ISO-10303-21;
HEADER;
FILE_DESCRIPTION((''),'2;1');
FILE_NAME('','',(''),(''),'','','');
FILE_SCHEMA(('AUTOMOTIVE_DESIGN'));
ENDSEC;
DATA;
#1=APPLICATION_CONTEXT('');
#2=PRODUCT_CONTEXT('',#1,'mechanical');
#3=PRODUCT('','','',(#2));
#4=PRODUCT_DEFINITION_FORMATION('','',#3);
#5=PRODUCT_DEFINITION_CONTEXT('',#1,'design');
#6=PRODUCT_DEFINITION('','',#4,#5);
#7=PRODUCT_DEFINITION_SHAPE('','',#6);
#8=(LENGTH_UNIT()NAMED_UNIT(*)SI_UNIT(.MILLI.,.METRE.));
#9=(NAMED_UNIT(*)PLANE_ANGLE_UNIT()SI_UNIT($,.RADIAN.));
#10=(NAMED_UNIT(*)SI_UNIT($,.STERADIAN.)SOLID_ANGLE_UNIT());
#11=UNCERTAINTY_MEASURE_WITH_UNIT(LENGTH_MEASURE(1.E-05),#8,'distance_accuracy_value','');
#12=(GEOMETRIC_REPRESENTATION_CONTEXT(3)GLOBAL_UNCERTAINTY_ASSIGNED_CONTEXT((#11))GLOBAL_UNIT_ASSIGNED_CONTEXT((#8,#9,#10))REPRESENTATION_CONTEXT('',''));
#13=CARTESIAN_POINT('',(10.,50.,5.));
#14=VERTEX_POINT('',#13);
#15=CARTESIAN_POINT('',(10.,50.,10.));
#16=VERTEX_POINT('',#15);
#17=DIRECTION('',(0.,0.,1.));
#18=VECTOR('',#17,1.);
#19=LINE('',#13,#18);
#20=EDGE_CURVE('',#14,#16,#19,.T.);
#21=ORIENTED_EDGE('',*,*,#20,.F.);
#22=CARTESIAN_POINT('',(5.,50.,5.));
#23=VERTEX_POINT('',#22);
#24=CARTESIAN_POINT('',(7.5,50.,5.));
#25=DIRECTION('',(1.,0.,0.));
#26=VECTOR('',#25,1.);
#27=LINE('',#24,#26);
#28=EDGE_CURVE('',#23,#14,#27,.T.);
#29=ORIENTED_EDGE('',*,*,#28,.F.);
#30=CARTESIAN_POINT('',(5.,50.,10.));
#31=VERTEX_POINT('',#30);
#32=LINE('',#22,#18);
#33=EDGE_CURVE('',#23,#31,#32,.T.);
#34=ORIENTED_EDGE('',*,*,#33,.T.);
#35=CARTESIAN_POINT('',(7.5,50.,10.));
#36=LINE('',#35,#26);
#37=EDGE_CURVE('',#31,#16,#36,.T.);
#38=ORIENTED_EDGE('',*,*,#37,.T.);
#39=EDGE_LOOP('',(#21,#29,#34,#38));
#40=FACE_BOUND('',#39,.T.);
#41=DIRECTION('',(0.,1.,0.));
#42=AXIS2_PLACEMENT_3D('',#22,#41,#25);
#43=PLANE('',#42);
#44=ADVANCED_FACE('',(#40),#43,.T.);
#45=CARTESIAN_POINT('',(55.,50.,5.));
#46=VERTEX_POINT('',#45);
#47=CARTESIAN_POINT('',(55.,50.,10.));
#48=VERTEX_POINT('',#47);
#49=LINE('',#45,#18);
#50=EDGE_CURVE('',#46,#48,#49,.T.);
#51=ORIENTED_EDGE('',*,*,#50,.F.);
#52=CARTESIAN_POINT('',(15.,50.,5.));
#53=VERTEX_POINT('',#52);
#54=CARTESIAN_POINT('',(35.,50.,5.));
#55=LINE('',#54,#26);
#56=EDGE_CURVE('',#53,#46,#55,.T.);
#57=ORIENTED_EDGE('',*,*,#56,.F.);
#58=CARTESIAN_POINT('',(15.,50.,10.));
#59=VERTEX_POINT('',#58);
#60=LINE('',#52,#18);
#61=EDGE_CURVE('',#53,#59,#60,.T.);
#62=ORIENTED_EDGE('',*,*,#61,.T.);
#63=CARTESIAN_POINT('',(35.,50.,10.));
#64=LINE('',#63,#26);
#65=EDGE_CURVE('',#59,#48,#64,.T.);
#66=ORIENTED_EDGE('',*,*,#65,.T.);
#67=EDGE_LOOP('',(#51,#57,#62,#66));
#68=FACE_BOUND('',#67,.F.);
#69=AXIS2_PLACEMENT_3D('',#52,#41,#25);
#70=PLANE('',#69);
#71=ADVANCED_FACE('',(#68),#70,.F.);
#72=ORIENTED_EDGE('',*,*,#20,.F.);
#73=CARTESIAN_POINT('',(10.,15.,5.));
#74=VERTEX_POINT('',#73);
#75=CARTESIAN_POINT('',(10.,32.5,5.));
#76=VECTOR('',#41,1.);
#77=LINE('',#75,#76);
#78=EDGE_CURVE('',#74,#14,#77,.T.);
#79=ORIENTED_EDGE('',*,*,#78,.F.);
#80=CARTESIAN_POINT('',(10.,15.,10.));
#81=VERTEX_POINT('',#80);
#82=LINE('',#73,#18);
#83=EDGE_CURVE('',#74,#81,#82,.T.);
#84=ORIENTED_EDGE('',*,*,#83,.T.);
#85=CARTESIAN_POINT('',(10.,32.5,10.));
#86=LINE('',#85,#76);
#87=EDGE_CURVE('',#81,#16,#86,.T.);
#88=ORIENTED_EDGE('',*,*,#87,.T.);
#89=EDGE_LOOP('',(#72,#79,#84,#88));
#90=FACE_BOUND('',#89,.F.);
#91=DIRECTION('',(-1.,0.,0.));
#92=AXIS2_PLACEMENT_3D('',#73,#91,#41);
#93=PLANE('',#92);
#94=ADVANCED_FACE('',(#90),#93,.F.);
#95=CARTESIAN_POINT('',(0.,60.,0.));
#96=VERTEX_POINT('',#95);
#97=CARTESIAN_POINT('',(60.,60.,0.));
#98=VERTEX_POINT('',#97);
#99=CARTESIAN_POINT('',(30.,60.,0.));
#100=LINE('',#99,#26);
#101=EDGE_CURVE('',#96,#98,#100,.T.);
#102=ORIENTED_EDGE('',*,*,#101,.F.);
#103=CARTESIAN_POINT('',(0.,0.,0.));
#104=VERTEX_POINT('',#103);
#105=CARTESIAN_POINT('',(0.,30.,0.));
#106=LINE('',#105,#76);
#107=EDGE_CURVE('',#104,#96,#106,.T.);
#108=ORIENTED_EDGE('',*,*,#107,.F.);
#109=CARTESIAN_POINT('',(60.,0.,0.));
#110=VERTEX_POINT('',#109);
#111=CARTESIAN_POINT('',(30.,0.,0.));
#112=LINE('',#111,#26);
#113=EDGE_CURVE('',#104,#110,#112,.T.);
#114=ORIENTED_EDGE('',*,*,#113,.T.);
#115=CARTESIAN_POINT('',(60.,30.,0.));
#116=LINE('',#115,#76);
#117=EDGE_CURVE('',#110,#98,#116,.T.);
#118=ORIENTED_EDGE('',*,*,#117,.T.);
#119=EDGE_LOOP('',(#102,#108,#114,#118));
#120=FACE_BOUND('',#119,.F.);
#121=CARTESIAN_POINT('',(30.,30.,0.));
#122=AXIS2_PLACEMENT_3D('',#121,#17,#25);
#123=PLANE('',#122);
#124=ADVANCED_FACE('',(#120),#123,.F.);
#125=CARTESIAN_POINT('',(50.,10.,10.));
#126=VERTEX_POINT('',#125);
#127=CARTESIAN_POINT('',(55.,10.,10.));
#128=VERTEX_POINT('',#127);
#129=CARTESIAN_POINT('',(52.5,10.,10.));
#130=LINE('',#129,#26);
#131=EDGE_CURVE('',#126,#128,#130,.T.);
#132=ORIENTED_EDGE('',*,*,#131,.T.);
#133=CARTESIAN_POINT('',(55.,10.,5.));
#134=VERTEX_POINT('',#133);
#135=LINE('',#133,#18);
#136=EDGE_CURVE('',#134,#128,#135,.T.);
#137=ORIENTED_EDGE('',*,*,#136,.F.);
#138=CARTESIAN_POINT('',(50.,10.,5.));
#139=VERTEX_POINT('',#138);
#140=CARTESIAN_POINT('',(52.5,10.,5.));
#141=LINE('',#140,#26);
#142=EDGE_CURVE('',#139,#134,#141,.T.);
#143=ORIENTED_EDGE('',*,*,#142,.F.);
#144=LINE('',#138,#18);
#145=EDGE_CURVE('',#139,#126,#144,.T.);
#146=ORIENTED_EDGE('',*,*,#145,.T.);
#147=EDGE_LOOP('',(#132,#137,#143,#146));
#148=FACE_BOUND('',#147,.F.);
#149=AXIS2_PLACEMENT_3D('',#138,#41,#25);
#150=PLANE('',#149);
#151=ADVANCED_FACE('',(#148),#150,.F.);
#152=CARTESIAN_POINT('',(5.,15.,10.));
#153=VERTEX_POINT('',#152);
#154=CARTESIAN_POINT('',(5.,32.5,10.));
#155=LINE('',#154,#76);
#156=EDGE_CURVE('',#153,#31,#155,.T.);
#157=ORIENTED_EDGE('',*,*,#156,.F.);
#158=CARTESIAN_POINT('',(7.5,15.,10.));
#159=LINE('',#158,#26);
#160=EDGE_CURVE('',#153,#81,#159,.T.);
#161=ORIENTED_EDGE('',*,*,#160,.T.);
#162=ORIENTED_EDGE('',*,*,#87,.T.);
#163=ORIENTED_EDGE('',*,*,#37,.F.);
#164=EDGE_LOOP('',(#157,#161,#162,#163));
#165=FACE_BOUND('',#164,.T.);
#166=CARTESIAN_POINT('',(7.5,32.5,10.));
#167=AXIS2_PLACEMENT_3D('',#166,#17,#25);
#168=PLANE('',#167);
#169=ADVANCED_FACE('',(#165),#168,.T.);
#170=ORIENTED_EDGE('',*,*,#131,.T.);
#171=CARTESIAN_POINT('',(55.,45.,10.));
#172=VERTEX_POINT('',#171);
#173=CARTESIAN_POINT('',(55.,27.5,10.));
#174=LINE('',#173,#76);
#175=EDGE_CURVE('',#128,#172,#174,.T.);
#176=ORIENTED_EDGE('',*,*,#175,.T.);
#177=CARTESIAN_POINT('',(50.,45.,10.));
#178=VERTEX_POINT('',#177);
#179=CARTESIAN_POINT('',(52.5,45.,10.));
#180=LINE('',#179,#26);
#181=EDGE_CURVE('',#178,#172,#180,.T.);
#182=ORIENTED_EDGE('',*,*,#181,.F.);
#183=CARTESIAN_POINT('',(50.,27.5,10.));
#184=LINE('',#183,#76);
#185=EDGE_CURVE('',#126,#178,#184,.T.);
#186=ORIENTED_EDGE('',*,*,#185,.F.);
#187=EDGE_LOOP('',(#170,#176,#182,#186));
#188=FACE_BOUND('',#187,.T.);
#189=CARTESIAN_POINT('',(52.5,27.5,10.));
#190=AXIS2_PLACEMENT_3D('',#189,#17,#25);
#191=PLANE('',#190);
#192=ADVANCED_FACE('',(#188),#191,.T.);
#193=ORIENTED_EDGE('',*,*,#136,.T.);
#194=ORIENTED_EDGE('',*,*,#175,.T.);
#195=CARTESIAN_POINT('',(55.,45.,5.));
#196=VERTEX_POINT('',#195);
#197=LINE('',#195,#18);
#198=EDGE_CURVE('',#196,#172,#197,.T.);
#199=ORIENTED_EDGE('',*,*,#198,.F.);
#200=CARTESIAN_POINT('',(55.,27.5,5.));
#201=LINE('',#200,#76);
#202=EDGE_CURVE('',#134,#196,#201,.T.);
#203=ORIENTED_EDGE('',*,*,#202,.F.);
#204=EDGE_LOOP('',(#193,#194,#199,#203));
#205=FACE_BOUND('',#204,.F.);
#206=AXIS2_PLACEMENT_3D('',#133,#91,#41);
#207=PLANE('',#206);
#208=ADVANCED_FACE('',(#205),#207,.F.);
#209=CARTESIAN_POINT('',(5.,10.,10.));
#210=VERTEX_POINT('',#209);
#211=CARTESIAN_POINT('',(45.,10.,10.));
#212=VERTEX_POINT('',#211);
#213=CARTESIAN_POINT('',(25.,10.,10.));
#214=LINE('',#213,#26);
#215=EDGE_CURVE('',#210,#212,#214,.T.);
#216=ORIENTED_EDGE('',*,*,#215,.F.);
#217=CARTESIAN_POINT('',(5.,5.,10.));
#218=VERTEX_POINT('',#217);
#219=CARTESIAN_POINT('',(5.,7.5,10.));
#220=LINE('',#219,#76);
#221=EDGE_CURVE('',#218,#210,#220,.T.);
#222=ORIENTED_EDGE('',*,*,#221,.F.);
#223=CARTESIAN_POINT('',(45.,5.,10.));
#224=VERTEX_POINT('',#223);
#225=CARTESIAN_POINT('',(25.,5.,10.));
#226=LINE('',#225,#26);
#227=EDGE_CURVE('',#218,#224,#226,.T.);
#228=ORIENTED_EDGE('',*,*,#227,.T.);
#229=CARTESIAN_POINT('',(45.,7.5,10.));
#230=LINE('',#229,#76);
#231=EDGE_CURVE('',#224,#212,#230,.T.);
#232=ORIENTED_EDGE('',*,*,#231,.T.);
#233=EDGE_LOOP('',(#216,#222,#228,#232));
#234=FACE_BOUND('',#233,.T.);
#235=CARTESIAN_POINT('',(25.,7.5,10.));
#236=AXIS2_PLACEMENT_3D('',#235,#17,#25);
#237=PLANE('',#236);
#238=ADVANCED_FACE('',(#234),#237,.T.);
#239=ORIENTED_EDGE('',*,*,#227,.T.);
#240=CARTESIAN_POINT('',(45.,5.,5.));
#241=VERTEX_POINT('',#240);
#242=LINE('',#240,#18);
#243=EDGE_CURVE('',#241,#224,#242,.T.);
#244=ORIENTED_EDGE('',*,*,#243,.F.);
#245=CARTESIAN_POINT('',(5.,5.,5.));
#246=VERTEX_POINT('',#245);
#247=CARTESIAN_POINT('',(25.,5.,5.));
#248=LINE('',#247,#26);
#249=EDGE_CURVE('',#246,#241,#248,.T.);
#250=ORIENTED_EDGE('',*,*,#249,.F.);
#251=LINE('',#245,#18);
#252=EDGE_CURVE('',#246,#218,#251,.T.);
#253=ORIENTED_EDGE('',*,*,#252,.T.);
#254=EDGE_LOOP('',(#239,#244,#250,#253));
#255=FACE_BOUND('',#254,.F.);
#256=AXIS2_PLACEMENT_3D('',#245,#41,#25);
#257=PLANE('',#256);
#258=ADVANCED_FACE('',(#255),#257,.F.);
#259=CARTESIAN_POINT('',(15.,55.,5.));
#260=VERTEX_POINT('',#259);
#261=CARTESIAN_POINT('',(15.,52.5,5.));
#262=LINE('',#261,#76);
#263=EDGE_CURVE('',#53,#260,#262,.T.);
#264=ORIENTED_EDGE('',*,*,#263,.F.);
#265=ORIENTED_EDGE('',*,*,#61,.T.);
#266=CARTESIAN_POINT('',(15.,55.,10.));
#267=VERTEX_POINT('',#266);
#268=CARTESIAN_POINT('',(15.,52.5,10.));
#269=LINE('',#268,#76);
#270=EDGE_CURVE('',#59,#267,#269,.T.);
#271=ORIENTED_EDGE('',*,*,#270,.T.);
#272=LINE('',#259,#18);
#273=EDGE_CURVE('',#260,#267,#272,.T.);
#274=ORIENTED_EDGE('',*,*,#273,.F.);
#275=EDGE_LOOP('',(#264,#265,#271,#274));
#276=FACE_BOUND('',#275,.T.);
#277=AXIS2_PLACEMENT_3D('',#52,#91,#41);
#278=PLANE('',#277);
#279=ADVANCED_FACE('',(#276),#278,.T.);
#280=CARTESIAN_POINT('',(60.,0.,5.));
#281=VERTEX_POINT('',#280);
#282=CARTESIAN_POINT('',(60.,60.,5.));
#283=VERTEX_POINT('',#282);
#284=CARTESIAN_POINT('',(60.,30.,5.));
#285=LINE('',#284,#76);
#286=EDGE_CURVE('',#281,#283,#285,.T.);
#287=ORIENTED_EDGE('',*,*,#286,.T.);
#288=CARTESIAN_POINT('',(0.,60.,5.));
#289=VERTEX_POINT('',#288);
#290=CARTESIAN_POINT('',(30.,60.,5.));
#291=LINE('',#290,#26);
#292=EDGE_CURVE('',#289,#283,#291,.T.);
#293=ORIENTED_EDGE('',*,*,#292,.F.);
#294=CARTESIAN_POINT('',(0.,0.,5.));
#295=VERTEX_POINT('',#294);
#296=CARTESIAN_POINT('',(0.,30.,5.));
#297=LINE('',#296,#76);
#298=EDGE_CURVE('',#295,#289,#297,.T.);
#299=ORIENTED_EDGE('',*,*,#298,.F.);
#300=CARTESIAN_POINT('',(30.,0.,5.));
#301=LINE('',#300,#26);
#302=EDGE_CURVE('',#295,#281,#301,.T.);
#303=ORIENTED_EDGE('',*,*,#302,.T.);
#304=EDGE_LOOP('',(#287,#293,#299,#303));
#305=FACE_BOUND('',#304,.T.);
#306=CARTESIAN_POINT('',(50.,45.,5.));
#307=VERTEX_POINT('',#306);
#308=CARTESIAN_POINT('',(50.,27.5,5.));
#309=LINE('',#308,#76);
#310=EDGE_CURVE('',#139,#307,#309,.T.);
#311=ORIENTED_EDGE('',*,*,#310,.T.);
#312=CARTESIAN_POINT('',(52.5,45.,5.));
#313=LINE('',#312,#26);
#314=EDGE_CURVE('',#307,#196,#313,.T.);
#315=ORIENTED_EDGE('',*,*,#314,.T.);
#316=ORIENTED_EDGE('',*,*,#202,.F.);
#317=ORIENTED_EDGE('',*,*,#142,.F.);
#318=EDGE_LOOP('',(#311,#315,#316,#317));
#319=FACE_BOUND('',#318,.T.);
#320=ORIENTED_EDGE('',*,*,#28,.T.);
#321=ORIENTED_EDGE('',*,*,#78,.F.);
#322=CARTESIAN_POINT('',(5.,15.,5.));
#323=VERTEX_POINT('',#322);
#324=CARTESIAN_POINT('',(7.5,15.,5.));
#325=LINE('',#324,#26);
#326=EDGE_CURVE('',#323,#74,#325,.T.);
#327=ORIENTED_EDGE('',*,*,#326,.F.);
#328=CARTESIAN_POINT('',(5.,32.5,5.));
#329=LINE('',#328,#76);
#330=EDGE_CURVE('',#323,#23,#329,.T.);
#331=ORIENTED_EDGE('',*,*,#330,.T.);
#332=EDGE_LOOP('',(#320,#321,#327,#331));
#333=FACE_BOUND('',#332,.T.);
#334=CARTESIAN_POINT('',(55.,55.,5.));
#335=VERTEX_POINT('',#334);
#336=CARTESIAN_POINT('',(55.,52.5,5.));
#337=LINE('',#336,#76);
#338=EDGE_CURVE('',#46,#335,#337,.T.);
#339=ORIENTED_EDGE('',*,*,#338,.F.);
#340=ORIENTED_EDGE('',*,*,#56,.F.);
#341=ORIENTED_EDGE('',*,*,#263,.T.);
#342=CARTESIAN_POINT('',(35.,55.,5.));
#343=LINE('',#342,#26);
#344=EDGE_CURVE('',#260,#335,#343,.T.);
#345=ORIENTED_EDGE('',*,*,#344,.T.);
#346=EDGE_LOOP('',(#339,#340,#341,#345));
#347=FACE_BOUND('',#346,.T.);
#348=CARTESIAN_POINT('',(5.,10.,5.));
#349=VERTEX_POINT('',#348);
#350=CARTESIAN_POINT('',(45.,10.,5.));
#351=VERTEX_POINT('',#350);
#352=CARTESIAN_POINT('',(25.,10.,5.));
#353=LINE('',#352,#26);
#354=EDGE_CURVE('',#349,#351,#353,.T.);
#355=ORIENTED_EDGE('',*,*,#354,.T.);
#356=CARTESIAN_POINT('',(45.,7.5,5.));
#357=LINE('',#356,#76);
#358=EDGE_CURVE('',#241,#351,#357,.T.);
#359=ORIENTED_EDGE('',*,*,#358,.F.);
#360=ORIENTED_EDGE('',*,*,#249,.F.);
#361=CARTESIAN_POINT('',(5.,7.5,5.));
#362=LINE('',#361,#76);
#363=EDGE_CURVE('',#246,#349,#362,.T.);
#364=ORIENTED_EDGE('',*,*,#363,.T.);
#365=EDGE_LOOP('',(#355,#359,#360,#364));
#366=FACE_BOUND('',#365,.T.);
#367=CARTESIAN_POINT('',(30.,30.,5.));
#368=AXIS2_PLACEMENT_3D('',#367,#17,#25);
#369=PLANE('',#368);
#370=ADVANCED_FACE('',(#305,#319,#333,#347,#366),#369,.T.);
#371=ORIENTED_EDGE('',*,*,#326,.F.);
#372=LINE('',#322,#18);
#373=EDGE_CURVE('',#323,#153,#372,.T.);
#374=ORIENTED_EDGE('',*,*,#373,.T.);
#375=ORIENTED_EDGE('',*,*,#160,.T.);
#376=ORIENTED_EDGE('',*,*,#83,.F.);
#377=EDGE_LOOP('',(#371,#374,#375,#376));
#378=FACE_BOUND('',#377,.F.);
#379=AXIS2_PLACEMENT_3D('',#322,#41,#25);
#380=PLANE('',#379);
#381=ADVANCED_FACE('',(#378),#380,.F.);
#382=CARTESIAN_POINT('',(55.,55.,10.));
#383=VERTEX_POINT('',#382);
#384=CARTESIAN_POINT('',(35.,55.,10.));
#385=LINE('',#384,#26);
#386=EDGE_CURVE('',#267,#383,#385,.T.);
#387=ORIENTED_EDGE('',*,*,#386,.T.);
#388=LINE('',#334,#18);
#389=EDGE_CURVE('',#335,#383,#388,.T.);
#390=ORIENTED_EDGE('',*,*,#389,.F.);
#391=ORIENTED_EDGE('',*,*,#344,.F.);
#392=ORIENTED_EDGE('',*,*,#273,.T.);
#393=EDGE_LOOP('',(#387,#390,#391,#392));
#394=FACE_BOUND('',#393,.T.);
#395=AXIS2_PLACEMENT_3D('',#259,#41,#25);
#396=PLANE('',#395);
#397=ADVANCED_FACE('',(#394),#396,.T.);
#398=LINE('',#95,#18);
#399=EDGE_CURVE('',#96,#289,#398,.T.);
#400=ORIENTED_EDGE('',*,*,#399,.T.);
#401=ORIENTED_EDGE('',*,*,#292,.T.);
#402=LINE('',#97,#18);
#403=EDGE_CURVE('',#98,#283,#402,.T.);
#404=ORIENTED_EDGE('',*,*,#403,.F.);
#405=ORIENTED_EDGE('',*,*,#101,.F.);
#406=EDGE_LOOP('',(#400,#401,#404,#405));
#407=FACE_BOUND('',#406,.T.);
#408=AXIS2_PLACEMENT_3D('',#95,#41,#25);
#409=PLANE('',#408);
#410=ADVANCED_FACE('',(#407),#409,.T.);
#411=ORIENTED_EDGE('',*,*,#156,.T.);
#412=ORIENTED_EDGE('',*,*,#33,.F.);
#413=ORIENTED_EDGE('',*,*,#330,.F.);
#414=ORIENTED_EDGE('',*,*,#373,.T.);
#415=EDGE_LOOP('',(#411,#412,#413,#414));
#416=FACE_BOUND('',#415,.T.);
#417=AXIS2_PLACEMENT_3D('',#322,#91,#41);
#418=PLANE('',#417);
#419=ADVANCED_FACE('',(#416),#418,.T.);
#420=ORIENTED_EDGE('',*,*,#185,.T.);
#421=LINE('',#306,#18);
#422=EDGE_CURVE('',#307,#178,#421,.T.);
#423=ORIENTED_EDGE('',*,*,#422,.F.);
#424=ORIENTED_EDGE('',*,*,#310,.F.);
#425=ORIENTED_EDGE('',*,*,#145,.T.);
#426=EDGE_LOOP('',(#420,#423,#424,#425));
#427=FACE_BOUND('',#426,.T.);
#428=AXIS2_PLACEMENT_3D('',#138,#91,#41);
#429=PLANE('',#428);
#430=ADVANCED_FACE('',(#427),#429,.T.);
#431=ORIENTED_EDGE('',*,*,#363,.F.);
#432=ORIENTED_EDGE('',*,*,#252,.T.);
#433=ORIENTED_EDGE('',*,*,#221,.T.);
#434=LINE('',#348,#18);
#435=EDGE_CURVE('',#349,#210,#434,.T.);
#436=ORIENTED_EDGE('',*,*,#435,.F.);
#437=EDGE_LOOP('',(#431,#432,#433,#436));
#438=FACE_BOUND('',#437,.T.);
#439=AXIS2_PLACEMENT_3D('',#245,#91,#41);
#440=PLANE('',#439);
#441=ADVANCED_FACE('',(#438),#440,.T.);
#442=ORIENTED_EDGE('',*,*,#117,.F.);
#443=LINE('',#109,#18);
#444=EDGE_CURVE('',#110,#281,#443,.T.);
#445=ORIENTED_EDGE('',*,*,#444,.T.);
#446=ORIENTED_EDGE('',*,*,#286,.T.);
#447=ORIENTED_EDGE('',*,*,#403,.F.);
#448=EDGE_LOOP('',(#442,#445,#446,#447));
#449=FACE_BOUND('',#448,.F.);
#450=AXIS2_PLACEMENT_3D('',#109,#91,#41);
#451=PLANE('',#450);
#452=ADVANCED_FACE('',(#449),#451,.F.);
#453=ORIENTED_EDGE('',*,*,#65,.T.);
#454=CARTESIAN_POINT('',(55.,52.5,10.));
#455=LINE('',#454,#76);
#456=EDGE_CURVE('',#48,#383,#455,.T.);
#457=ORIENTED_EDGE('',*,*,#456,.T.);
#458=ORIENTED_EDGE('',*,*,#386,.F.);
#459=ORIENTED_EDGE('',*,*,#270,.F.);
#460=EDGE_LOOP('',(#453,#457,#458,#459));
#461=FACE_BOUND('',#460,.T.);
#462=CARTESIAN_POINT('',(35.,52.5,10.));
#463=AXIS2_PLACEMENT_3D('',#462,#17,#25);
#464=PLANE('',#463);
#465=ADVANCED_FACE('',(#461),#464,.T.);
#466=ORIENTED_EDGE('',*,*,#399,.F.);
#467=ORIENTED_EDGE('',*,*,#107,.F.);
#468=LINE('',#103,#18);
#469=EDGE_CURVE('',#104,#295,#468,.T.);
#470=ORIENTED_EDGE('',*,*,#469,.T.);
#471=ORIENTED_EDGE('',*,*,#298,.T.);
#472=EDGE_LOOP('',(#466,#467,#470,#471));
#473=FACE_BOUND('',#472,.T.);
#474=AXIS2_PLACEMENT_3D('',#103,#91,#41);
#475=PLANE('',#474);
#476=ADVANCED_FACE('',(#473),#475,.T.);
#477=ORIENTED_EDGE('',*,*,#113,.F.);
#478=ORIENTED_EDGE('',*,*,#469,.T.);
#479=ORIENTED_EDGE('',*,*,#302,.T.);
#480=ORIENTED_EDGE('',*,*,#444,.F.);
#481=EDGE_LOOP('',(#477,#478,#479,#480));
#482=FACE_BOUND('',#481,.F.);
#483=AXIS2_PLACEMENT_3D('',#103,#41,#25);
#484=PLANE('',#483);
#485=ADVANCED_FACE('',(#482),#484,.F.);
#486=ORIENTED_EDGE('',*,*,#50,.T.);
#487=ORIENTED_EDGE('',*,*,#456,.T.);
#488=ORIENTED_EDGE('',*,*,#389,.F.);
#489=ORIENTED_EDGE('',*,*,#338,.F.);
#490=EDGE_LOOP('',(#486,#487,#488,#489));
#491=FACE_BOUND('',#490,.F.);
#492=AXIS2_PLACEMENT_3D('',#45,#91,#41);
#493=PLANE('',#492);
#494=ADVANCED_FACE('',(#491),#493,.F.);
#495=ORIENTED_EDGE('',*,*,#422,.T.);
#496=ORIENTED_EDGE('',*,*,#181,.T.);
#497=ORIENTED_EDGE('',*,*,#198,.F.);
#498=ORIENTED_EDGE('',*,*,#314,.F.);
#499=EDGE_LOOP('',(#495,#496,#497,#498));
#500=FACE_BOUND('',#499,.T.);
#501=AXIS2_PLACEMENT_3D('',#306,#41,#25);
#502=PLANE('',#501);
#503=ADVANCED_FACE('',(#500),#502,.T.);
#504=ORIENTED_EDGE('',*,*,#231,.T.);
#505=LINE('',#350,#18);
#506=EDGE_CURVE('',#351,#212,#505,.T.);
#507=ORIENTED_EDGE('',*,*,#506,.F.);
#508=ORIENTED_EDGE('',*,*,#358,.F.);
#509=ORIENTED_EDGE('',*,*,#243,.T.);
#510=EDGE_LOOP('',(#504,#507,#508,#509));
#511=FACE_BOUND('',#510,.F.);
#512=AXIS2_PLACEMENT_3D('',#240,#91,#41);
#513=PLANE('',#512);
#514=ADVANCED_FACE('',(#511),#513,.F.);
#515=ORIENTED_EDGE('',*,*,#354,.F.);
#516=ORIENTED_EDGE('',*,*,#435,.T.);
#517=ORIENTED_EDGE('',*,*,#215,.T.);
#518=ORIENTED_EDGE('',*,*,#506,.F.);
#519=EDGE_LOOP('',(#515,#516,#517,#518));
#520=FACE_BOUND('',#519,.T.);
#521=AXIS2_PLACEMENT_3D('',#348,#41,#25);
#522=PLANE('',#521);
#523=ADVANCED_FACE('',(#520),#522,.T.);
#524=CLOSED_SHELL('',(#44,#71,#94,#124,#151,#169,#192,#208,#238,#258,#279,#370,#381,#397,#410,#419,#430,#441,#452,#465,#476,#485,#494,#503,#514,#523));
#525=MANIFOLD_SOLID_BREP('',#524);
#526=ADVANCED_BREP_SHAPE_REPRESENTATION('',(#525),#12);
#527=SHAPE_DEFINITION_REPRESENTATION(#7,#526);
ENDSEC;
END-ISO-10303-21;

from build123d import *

# Parameters (mm, degrees)
F0_W     = 60
F0_H     = 60
F1_DEPTH = 5
F2_W     = 40
F2_H     = 5
F2_W_2   = 5
F2_H_2   = 35
F3_DEPTH = 5


with BuildPart() as f1:
    # F0 (on Top) → F1 (new body)
    with BuildSketch(Plane.XY):
        with Locations((30, 30)):
            Rectangle(F0_W, F0_H)
    extrude(amount=F1_DEPTH)

    # F2 (on face) → F3 (join)
    with BuildSketch(Plane.XY.offset(5)):
        with Locations((25, 7.5)):
            Rectangle(F2_W, F2_H)
        with Locations((7.5, 32.5)):
            Rectangle(F2_W_2, F2_H_2)
        with Locations((35, 52.5)):
            Rectangle(F2_W, F2_H)
        with Locations((52.5, 27.5)):
            Rectangle(F2_W_2, F2_H_2)
    extrude(amount=F3_DEPTH)


solid = f1.part
